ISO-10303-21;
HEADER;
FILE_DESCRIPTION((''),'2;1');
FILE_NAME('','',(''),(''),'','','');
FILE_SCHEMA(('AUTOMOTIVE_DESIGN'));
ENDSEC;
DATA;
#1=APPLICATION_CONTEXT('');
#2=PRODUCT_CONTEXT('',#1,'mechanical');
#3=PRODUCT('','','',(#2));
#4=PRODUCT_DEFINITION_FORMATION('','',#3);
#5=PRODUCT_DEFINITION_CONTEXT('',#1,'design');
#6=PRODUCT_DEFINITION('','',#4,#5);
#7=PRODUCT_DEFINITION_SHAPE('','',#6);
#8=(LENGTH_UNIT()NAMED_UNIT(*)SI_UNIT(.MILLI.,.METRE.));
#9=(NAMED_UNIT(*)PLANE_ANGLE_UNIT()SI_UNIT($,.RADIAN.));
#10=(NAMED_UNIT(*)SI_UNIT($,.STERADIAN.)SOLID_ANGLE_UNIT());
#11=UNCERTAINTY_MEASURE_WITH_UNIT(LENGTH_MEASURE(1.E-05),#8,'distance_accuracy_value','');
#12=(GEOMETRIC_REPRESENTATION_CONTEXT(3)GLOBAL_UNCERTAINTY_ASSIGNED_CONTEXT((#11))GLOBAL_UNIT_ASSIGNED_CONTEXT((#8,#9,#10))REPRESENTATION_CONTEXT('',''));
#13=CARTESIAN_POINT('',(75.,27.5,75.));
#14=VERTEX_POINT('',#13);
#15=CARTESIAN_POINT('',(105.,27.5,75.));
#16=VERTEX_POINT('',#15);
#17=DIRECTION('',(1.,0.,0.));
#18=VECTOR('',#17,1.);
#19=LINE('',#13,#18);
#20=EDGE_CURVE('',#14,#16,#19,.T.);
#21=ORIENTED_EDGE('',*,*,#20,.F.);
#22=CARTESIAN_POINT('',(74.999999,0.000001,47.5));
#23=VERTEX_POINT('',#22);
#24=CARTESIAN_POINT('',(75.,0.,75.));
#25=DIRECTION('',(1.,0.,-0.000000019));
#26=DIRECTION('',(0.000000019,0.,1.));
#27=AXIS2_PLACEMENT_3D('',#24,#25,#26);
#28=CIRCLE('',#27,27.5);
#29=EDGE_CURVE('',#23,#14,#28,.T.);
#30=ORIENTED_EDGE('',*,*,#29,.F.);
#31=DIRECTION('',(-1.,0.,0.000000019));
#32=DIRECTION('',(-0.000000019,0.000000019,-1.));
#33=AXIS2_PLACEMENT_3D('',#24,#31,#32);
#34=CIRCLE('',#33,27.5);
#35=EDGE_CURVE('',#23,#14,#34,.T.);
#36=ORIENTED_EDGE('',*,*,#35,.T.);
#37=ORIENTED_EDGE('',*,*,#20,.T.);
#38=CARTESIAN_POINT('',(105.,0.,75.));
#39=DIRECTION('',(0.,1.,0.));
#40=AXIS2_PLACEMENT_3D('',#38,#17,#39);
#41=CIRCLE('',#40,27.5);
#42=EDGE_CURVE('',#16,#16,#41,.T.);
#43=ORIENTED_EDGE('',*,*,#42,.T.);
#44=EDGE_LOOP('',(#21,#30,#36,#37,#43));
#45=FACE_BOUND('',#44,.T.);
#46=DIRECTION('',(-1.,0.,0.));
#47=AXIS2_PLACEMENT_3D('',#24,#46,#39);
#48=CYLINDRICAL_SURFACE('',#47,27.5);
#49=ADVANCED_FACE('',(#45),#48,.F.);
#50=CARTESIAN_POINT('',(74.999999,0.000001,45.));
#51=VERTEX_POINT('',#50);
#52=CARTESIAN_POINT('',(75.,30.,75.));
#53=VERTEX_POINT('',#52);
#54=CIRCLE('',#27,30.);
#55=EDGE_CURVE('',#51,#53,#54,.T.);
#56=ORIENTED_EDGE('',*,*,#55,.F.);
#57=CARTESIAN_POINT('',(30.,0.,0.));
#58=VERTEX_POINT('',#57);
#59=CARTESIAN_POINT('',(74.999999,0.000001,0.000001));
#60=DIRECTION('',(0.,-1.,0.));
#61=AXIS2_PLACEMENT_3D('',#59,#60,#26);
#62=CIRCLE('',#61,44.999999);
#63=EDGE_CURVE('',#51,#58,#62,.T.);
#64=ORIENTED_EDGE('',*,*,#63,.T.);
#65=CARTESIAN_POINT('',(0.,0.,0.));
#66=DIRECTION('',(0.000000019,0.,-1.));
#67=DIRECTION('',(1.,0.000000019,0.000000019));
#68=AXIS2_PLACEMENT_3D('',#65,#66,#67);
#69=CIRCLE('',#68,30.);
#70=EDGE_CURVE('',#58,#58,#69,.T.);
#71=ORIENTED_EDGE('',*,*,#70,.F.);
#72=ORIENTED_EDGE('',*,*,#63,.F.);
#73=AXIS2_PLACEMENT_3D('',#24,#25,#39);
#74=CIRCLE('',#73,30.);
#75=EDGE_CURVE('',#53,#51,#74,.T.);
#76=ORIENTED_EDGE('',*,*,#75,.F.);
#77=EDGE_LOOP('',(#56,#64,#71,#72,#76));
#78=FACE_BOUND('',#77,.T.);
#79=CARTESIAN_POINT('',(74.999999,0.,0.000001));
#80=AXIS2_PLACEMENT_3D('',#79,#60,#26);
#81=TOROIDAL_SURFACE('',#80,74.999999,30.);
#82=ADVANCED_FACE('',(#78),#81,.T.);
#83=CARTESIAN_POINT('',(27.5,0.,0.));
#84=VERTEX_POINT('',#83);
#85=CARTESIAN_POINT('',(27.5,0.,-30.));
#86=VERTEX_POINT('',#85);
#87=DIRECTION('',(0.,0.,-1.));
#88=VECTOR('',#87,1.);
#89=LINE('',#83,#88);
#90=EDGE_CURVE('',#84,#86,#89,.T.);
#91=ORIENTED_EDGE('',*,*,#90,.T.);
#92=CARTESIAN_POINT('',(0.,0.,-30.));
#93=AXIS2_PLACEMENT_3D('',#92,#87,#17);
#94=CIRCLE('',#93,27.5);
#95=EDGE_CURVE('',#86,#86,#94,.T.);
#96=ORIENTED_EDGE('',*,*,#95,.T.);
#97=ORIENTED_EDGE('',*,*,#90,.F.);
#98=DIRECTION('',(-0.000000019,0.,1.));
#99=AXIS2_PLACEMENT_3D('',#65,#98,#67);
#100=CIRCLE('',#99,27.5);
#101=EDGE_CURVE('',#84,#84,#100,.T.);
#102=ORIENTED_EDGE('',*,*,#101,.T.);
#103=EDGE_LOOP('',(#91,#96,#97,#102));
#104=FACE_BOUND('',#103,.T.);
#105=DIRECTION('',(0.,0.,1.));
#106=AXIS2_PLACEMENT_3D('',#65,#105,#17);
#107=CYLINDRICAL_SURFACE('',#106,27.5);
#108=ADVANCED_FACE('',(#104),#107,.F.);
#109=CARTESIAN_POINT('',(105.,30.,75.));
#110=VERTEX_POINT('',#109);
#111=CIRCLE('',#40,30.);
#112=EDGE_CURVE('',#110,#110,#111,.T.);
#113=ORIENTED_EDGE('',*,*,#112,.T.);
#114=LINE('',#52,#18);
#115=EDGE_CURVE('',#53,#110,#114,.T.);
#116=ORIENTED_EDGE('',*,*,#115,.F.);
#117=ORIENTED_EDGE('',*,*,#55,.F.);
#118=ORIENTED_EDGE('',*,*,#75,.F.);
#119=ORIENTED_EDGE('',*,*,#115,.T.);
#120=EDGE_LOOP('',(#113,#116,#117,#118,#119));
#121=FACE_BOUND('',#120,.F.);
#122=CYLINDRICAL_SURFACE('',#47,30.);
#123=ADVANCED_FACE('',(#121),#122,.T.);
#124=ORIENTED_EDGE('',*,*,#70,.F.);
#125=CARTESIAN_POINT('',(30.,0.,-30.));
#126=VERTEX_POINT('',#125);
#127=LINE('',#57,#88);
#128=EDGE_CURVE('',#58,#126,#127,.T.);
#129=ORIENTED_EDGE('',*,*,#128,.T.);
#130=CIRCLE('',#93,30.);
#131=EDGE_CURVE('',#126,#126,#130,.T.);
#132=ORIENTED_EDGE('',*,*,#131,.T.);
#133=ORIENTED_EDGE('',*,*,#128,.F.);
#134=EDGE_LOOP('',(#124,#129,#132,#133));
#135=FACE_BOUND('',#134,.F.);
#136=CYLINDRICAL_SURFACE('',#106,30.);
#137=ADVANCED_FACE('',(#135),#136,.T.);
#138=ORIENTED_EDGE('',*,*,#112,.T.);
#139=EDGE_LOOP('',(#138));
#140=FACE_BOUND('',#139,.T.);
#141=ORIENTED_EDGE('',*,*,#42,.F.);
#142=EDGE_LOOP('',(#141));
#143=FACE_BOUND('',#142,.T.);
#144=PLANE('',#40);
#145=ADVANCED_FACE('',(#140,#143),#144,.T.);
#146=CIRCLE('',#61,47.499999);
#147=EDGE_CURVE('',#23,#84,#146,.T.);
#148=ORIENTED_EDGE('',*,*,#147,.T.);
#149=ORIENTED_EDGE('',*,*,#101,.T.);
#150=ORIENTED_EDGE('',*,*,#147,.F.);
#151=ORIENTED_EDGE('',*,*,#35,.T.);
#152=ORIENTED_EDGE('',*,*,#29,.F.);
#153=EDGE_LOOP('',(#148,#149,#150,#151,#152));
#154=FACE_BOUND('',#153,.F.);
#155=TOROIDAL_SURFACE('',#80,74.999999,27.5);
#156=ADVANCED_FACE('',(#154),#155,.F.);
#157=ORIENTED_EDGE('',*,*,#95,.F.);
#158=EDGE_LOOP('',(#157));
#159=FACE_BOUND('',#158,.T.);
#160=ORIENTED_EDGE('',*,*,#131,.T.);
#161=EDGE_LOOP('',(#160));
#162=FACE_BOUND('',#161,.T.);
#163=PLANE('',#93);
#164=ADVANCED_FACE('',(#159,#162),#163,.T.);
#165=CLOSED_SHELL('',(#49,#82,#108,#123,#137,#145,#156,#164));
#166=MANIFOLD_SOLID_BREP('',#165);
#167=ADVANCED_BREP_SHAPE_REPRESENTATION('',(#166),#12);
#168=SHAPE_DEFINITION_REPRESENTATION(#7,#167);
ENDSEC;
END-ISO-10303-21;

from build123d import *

# Parameters (mm, degrees)
F0_R        = 30
F0_R_2      = 27.5
F3_R        = 30
F3_R_2      = 27.5
F4_DEPTH    = 30
F2_FACE_R   = 30
F2_FACE_R_2 = 27.5
F5_DEPTH    = 30


with BuildPart() as f2:
    # F2: sweep along a path in F1
    with BuildLine(Plane.XZ) as f2_path:
        ThreePointArc((75, 75), (21.966991, 53.033009), (0, 0))
    # F0 (on Top) → F2 (sweep)
    with BuildSketch(Plane.XY):
        Circle(F0_R)
        Circle(F0_R_2, mode=Mode.SUBTRACT)
    sweep(path=f2_path.line)

    # F3 (on face) → F4 (join)
    with BuildSketch(Plane.YZ.offset(75)):
        with Locations((0, 75)):
            Circle(F3_R)
        with Locations((0, 75)):
            Circle(F3_R_2, mode=Mode.SUBTRACT)
    extrude(amount=F4_DEPTH)

    # F2_face (on face) → F5 (join)
    with BuildSketch(Plane(origin=(0, 0, 0), x_dir=(1, 0, 0), z_dir=(0, 0, -1))):
        Circle(F2_FACE_R)
        Circle(F2_FACE_R_2, mode=Mode.SUBTRACT)
    extrude(amount=F5_DEPTH)


solid = f2.part
